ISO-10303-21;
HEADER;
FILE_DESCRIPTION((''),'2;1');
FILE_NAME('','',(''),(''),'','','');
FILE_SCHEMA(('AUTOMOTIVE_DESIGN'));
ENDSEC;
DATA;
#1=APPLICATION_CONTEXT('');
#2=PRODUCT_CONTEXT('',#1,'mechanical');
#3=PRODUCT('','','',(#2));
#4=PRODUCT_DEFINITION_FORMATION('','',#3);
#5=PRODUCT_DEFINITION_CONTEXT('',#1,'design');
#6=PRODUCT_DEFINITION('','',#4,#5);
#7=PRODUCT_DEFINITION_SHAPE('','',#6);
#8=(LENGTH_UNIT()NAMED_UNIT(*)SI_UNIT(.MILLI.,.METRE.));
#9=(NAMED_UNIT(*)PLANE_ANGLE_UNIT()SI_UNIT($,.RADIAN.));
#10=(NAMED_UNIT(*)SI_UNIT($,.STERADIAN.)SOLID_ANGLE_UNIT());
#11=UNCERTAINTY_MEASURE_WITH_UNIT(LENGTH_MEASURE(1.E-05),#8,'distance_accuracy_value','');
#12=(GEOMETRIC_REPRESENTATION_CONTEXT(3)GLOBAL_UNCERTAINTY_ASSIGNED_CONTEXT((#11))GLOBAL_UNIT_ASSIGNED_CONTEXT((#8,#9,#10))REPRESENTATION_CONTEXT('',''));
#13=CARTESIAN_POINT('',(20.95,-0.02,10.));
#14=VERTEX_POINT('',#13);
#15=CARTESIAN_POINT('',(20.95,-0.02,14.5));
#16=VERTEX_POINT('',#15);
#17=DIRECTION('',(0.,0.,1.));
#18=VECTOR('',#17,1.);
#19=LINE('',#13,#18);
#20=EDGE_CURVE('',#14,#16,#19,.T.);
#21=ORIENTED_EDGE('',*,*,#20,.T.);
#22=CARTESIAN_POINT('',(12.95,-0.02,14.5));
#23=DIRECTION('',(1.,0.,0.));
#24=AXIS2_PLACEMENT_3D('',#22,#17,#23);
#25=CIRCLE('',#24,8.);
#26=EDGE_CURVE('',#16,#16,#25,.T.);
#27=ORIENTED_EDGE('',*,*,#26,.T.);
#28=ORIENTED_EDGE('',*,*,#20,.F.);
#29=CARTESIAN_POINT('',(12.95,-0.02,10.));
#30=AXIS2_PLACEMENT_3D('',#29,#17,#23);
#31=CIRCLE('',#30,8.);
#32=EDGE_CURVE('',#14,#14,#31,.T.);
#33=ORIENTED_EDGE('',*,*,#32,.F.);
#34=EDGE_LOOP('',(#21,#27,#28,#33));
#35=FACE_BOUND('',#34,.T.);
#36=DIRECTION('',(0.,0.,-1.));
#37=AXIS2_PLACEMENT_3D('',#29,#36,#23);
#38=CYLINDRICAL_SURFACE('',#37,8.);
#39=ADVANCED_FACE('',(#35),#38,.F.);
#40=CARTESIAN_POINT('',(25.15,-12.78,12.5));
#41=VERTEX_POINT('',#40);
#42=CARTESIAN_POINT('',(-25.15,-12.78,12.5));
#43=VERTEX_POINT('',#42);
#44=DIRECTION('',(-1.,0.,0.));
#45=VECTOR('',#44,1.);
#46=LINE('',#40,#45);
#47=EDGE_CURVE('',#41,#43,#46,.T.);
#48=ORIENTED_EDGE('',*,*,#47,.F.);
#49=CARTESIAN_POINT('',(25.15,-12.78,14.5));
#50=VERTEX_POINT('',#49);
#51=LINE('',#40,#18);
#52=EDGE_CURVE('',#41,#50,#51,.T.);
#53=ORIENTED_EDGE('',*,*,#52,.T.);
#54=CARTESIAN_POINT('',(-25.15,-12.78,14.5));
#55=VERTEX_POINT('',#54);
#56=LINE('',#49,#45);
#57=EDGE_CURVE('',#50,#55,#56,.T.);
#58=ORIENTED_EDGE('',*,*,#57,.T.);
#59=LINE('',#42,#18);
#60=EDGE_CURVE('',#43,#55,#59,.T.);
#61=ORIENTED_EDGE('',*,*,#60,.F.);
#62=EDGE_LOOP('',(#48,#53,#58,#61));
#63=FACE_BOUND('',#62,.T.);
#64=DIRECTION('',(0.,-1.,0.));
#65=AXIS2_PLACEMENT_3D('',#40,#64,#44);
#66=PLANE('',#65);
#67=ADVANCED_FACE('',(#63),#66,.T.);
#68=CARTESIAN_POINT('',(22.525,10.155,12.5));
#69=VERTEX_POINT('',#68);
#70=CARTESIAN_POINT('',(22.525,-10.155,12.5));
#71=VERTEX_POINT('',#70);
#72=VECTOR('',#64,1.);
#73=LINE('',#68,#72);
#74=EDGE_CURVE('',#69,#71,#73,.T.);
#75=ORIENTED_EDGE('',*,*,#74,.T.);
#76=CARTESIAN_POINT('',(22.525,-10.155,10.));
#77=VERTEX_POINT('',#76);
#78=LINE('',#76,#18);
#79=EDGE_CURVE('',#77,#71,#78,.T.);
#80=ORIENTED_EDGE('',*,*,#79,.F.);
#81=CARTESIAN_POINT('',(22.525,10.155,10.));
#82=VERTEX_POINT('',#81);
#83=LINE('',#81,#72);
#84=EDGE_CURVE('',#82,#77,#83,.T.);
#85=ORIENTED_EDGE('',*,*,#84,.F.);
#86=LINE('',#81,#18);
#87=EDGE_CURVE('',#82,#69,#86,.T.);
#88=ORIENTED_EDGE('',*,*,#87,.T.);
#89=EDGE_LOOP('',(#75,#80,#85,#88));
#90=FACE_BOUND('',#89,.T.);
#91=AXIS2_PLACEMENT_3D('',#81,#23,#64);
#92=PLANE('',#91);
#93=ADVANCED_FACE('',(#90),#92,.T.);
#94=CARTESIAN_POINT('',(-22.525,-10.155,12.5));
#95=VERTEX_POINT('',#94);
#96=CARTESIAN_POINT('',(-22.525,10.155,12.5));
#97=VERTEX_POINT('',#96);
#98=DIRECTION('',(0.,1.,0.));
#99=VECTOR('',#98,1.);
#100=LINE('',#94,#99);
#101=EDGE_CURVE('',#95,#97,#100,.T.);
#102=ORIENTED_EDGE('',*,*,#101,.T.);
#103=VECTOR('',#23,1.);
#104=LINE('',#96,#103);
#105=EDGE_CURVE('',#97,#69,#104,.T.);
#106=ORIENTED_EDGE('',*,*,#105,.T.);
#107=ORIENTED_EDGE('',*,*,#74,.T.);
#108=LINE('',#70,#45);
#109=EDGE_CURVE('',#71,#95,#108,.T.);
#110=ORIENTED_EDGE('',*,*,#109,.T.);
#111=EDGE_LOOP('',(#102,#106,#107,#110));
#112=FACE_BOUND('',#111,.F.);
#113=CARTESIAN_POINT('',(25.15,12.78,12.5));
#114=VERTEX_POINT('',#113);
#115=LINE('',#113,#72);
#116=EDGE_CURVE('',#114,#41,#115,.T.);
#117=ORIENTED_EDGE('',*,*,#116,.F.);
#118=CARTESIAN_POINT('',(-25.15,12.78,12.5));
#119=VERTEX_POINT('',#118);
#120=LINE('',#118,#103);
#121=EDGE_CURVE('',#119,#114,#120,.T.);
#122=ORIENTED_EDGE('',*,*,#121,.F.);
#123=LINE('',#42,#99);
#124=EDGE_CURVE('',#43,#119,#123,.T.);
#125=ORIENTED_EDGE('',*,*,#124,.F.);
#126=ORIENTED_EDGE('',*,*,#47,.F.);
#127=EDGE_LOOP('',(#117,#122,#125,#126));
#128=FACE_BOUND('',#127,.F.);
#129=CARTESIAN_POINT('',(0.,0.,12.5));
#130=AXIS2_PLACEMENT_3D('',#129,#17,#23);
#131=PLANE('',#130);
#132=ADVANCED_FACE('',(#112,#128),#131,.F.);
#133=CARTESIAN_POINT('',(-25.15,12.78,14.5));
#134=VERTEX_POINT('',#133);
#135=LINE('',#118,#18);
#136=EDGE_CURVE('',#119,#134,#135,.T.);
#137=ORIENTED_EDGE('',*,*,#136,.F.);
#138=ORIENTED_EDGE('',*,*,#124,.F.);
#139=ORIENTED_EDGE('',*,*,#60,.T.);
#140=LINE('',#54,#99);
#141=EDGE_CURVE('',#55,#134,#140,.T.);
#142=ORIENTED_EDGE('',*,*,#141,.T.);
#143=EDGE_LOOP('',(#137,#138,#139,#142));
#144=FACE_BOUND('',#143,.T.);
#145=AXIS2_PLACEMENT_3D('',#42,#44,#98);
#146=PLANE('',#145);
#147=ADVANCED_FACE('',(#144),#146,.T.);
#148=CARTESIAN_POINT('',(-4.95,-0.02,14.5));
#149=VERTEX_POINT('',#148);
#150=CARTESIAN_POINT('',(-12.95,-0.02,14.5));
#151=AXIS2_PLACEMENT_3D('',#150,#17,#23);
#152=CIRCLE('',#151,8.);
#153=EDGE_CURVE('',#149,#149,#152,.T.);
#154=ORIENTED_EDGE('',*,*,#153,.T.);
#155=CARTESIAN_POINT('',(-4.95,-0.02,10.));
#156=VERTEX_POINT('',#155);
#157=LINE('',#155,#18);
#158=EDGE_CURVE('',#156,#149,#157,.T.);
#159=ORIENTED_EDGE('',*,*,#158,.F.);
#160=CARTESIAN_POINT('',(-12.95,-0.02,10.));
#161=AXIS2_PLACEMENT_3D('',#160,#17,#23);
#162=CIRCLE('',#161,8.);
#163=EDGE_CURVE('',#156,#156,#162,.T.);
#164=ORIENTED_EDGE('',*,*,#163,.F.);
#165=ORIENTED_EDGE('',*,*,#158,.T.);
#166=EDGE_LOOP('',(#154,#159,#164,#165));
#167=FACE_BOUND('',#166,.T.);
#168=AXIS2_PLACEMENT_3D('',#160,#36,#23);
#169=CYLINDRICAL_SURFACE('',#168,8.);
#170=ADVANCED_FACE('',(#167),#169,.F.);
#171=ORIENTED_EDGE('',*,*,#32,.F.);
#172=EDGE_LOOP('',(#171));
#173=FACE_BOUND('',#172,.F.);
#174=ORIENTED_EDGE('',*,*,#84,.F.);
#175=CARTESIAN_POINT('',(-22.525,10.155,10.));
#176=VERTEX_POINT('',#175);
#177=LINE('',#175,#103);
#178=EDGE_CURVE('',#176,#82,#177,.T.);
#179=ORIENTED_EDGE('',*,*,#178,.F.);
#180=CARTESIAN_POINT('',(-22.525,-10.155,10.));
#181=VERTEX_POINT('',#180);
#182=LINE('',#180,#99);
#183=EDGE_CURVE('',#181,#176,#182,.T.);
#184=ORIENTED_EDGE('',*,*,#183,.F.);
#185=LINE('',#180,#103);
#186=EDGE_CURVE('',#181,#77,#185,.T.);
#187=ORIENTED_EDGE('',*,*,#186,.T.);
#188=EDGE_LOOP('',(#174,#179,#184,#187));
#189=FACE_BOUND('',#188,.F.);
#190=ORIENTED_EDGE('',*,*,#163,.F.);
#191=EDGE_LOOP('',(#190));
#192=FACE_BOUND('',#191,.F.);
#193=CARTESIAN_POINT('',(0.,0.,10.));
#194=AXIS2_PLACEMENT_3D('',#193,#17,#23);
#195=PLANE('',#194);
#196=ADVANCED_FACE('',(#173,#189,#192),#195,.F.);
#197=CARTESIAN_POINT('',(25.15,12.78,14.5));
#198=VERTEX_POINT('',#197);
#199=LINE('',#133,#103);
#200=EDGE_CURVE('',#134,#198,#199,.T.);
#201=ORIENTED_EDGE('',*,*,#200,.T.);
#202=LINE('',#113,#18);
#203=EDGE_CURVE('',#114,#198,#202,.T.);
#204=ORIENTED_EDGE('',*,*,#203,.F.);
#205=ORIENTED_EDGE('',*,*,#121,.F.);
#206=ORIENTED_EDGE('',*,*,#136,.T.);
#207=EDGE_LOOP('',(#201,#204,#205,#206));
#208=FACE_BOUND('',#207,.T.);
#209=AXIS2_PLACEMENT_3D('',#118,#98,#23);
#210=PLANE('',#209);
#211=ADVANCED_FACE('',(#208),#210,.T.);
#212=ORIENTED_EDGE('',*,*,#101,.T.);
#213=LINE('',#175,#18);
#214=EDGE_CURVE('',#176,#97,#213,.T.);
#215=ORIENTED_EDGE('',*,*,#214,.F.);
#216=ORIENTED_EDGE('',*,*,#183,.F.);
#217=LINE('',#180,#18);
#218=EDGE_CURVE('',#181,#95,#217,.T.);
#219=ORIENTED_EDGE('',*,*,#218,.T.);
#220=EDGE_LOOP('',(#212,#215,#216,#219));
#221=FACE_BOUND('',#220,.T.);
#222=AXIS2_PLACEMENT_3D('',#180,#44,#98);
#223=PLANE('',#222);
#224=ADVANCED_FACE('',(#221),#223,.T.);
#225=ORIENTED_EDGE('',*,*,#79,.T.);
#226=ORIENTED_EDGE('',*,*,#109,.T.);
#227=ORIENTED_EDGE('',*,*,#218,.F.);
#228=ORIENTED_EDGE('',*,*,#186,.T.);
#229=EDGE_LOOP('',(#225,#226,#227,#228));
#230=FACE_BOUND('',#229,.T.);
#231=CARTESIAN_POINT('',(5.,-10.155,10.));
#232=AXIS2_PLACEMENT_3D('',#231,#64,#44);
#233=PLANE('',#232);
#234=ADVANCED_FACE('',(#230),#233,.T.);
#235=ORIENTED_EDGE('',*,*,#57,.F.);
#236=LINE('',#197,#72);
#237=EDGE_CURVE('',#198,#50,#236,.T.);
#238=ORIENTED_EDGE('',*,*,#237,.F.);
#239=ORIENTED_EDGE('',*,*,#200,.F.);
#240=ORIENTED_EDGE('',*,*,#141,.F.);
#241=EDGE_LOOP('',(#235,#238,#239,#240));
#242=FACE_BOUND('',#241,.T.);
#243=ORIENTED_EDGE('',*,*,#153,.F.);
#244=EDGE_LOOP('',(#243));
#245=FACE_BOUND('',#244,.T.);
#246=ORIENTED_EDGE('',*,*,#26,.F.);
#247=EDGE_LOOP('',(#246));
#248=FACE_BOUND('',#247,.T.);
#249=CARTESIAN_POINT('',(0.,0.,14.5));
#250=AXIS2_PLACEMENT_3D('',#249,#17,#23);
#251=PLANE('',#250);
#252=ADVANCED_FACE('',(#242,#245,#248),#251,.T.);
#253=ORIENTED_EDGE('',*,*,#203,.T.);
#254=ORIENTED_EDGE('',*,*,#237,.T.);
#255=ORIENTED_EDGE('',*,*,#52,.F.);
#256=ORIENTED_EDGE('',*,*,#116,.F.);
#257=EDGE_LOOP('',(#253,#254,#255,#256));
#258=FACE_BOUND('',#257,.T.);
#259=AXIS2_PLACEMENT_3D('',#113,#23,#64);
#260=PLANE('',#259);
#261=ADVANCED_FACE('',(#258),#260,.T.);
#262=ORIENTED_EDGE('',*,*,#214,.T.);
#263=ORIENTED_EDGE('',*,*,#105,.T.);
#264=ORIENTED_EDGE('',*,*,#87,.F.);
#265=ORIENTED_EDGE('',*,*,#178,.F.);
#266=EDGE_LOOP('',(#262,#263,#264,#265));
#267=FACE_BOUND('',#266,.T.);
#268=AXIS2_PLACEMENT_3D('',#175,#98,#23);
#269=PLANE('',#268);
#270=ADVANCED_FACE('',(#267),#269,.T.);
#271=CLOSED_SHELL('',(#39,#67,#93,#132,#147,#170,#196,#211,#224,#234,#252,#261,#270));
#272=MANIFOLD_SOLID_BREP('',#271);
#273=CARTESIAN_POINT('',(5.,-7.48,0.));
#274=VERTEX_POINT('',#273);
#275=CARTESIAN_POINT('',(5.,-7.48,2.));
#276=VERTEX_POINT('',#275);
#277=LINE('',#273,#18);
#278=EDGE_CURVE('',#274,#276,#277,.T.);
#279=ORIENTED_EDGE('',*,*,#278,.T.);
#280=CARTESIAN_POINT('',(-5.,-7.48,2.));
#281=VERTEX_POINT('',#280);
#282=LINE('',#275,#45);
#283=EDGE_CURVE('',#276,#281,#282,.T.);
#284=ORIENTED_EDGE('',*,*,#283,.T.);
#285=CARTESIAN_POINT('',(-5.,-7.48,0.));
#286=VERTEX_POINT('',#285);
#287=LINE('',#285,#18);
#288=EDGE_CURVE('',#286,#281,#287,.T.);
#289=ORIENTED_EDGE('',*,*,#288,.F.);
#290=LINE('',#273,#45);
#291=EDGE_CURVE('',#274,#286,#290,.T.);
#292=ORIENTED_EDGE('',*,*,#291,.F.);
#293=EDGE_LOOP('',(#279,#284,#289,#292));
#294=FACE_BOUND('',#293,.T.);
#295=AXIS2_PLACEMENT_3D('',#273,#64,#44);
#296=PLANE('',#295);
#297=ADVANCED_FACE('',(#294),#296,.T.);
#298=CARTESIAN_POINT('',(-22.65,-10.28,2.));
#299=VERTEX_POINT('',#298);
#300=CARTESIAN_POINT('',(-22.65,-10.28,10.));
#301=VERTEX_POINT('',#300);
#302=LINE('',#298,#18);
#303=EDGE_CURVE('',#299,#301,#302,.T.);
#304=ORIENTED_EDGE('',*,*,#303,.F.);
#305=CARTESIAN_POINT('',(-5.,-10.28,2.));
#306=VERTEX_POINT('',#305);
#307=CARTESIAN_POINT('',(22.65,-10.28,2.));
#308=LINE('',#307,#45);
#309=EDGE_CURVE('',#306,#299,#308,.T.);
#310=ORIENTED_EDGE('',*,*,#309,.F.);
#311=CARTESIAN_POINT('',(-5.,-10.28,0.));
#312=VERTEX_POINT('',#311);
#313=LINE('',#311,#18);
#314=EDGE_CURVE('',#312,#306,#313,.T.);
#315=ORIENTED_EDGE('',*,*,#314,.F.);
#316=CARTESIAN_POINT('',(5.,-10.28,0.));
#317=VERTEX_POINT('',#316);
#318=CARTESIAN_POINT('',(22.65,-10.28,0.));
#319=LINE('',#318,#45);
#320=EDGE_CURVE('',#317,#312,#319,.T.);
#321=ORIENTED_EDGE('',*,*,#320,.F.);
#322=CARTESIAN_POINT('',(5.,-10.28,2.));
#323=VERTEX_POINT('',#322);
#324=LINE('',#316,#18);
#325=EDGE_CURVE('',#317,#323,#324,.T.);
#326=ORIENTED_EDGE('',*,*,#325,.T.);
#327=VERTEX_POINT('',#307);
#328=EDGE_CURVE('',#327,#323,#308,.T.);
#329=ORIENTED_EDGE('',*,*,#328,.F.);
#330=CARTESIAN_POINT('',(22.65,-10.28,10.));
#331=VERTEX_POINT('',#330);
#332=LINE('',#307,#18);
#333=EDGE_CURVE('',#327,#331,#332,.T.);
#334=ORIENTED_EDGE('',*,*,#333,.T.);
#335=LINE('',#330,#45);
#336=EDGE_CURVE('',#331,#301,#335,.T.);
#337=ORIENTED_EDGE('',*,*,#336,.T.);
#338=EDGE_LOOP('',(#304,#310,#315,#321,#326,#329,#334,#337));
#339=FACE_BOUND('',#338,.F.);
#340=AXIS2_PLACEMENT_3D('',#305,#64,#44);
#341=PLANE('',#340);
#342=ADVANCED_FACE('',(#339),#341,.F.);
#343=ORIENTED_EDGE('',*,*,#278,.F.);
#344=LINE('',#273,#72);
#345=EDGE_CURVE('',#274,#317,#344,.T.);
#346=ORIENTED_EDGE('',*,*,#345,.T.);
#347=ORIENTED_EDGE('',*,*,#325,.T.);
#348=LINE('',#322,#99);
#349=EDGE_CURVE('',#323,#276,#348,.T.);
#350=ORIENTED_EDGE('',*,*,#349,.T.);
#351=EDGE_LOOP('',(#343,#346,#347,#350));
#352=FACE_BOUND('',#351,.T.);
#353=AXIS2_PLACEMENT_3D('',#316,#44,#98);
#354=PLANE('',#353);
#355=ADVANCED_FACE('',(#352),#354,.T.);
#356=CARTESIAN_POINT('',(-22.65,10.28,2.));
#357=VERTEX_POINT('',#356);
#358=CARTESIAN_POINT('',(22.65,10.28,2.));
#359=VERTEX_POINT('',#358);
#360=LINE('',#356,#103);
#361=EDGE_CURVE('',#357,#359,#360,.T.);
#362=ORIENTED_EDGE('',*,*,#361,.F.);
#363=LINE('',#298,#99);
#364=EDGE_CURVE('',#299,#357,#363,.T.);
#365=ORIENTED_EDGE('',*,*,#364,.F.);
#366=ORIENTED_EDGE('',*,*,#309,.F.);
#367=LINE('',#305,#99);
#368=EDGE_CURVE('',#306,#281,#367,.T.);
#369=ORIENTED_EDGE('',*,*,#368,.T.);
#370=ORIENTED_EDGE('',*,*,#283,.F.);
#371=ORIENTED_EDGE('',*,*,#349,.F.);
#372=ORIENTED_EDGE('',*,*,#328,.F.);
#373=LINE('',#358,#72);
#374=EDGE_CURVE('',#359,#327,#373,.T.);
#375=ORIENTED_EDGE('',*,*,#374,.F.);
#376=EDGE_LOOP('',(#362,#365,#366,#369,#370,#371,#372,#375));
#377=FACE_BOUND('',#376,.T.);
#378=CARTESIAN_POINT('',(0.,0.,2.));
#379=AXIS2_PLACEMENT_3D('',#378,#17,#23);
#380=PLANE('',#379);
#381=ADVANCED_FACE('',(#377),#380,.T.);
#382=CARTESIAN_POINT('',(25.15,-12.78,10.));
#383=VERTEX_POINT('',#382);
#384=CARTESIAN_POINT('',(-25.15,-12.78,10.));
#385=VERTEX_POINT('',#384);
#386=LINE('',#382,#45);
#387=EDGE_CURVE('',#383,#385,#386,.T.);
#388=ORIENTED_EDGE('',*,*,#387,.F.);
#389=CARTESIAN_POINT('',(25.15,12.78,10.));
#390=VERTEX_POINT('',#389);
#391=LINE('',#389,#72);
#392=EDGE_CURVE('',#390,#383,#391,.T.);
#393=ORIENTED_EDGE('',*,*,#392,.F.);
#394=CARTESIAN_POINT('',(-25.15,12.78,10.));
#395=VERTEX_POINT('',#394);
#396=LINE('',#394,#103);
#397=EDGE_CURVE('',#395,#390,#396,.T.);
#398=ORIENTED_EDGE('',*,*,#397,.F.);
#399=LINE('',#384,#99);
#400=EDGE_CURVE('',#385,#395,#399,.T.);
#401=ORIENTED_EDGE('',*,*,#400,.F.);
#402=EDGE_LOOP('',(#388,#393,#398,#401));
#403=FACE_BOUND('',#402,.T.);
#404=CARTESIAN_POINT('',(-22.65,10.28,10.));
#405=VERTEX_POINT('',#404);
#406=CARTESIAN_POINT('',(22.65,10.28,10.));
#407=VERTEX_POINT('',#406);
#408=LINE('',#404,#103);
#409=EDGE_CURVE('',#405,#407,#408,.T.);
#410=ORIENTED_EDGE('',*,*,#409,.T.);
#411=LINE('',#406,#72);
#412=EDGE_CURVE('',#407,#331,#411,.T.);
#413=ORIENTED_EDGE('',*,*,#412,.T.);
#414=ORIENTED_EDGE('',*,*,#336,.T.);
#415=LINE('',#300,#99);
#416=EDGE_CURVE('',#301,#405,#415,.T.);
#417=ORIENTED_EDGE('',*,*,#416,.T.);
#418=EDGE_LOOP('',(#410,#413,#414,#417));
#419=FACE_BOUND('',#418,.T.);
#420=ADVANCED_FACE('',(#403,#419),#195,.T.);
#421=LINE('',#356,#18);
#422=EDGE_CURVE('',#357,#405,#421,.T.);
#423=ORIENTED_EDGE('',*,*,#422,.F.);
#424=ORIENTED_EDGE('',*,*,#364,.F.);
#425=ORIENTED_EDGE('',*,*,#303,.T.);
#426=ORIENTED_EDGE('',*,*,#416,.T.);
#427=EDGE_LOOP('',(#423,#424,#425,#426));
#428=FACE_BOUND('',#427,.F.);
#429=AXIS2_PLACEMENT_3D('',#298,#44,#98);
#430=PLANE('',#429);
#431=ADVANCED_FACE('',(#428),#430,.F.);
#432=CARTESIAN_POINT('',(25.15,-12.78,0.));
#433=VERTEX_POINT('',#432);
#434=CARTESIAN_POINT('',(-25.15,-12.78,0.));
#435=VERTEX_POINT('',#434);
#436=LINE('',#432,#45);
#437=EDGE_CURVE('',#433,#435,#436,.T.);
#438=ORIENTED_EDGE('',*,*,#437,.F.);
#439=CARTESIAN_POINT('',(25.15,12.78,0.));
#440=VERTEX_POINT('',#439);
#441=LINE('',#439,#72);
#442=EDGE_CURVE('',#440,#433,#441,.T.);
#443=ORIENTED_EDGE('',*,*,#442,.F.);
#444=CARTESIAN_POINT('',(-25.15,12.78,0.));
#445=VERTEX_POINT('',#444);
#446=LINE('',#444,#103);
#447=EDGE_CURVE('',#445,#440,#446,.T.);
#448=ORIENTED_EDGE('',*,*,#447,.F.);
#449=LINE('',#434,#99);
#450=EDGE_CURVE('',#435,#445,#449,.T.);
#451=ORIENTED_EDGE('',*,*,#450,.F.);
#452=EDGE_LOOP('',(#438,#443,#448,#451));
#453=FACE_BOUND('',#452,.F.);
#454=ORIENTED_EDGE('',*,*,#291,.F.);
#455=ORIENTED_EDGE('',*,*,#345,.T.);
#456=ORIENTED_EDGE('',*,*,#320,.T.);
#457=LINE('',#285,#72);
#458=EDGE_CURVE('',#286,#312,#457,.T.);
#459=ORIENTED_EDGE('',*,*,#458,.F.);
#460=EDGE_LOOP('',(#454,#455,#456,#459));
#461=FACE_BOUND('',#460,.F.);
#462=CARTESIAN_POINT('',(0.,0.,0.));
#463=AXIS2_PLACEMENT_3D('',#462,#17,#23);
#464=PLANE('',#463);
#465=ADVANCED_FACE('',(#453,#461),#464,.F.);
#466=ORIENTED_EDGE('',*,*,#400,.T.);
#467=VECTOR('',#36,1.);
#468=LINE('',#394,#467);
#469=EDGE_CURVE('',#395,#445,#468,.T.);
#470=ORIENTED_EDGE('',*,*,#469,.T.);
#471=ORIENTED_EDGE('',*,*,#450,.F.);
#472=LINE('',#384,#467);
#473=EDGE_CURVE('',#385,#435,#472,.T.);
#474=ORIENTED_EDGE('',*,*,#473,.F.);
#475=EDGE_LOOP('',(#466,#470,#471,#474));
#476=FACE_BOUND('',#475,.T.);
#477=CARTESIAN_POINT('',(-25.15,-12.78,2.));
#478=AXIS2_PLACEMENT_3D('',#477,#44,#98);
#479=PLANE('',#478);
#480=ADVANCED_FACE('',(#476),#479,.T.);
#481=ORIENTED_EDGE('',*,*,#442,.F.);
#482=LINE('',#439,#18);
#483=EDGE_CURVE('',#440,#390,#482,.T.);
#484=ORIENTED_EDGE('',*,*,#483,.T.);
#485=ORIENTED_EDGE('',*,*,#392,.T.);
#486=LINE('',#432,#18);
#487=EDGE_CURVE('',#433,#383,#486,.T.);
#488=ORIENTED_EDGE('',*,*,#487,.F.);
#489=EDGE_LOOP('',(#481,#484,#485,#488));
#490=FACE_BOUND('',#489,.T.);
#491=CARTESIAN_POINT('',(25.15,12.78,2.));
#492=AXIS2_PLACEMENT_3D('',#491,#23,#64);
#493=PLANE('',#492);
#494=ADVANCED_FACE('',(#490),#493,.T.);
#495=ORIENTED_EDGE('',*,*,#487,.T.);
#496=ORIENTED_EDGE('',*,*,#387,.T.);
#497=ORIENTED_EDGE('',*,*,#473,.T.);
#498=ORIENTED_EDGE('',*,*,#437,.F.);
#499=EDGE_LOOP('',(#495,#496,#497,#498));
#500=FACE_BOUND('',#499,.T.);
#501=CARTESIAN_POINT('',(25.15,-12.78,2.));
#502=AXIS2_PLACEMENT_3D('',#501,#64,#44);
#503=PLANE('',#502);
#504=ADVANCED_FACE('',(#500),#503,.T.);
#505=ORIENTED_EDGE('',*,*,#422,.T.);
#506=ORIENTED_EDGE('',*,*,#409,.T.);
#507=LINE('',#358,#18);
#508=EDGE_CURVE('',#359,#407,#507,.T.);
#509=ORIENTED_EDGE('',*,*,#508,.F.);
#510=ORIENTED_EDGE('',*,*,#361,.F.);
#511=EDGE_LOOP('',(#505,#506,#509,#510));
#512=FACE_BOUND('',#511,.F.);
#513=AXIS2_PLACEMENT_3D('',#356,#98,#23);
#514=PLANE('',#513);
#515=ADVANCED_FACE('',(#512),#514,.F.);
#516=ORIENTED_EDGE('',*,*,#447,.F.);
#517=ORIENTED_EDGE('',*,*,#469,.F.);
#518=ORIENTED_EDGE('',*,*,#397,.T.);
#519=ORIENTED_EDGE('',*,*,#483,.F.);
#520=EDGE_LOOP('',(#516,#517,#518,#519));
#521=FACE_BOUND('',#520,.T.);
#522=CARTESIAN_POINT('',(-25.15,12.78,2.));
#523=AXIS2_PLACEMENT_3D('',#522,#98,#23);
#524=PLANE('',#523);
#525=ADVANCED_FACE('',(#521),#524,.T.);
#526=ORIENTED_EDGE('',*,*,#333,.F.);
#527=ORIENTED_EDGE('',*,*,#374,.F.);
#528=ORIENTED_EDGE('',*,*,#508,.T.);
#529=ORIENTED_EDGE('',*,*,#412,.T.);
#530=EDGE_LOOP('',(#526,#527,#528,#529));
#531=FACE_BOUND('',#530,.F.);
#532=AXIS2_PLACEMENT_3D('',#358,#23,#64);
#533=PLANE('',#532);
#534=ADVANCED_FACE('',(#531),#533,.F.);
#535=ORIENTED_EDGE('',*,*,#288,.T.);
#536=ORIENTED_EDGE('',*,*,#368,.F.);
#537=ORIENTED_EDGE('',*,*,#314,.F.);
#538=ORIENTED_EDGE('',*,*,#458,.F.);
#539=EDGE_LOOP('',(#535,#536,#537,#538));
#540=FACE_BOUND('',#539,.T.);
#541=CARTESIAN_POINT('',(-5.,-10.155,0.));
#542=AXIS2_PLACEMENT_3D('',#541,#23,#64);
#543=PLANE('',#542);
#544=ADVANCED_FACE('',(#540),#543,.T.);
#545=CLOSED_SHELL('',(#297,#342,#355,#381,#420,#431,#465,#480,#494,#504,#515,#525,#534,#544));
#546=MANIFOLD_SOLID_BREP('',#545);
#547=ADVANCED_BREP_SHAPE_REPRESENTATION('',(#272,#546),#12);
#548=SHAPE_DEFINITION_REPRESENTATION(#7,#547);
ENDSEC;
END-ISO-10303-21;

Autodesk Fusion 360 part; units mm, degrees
sketch "top" plane through (0, 0, 0) normal (0, 0, 1) x (1, 0, 0)
  line L0 (22.65, -10.28) -> (-22.65, -10.28)
  line L1 (-22.65, -10.28) -> (-22.65, 10.28)
  line L2 (-22.65, 10.28) -> (22.65, 10.28)
  line L3 (22.65, 10.28) -> (22.65, -10.28)
  line L4 (22.65, -10.28) -> (-22.65, 10.28) construction
  line L5 (-22.65, -10.28) -> (22.65, 10.28) construction
  circle A0 centre (12.95, -0.02) radius 8
  circle A1 centre (-12.95, -0.02) radius 8
  line L6 (-4.95, 0) -> (4.95, 0) construction
  line L7 (-5, -10.28) -> (5, -10.28)
  line L8 (5, -10.28) -> (5, -7.48)
  line L9 (5, -7.48) -> (-5, -7.48)
  line L10 (-5, -7.48) -> (-5, -10.28)
  line L11 (0, -7.48) -> (0, -10.28) construction
  line L12 (25.15, -12.78) -> (-25.15, -12.78)
  line L13 (-25.15, -12.78) -> (-25.15, 12.78)
  line L14 (-25.15, 12.78) -> (25.15, 12.78)
  line L15 (25.15, 12.78) -> (25.15, -12.78)
  line L16 (22.525, -10.155) -> (-22.525, -10.155)
  line L17 (-22.525, -10.155) -> (-22.525, 10.155)
  line L18 (-22.525, 10.155) -> (22.525, 10.155)
  line L19 (22.525, 10.155) -> (22.525, -10.155)
  dimension "d1" = 45.3
  dimension "d2" = 20.56
  dimension "d3" = 16
  dimension "d4" = 16
  dimension "d5" = 2.3
  dimension "d6" = 1.7
  dimension "d7" = 1.7
  dimension "d8" = 2.3
  dimension "d9" = 2.8
  dimension "d10" = 10
  dimension "d11" = -2.5
  dimension "d20" = 0.125
extrude "Extrude1" add sketch "top" along normal blind 2 contours L0 L1 L2 L3 L8 L10 L16 L17 L18 L19 | L8 L9 L10 L16 L17 L18 L19 | A0 | A1 | L12 L13 L14 L15 makes body 1
extrude "Extrude2" add sketch "top" along normal blind 8 from surface at 2 contours L12 L13 L14 L15 bodies 1
extrude "Extrude4" add sketch "top" along normal blind 2.5 from surface at 10 separate body contours L8 L9 L10 L16 | L8 L9 L10 L16 L17 L18 L19 makes body 2
extrude "Extrude5" add sketch "top" along normal blind 2 from surface at 12.5 contours L0 L1 L2 L3 L8 L10 L16 L17 L18 L19 | L0 L7 L8 L10 L16 | L8 L9 L10 L16 | L8 L9 L10 L16 L17 L18 L19 | L12 L13 L14 L15 bodies 2
